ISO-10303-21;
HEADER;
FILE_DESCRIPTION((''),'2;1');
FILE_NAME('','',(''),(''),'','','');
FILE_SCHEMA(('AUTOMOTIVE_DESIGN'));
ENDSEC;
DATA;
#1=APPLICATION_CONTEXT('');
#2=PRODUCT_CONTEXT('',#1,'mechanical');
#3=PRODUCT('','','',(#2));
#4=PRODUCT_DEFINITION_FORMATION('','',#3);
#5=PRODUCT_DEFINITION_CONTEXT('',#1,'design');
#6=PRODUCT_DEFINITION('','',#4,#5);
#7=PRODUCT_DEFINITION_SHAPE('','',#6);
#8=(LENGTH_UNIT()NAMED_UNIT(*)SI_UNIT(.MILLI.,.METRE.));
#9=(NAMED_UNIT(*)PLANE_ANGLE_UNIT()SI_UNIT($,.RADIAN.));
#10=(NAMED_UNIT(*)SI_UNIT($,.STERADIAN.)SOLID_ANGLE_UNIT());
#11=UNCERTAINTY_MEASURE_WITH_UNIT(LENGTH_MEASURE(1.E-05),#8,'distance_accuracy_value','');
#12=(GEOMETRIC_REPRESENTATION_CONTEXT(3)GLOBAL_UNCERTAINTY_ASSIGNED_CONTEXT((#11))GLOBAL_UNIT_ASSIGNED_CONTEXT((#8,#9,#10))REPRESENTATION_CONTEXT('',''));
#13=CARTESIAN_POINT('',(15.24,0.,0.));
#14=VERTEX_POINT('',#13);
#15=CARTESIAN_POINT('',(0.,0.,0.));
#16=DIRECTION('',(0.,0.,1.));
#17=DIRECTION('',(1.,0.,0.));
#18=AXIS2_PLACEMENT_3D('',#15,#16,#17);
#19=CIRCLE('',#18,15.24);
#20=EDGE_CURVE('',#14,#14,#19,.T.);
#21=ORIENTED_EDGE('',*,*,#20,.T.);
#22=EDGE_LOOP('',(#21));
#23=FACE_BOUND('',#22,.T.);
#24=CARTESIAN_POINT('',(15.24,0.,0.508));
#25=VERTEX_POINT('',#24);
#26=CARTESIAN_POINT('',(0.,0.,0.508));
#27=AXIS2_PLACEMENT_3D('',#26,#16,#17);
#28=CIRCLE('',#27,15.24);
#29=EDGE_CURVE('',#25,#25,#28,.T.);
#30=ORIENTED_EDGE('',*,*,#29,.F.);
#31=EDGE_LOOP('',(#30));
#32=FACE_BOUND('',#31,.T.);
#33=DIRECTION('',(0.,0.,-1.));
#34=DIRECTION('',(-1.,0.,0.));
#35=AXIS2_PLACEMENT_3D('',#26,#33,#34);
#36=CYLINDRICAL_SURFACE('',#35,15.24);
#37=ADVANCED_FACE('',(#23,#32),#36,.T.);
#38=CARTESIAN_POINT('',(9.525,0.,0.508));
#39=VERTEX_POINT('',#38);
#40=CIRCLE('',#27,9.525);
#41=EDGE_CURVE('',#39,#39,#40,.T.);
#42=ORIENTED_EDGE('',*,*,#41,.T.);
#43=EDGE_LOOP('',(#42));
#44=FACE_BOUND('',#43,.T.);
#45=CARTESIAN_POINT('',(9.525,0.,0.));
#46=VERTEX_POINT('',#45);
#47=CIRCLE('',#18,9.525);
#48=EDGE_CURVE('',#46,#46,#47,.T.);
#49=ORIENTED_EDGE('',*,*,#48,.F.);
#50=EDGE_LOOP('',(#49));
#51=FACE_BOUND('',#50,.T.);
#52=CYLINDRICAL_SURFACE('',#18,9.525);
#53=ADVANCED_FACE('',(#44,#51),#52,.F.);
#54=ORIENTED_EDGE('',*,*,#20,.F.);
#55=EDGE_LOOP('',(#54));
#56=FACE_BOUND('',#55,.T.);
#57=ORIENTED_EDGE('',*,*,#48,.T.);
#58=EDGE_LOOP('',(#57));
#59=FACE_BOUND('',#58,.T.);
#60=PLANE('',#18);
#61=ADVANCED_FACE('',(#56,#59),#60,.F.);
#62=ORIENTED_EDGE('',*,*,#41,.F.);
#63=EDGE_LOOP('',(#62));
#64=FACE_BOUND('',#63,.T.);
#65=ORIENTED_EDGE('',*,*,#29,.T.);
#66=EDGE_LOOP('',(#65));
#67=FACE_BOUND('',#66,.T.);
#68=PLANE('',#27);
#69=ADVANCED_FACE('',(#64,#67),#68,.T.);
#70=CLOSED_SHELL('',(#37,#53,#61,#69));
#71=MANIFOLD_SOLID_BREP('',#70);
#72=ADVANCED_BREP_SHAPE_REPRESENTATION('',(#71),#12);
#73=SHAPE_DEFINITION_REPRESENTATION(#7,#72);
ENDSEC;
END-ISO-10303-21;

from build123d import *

# Parameters (mm, degrees)
SKETCH1_R           = 15.24
BOSS_EXTRUDE1_DEPTH = 0.508
SKETCH2_R           = 9.525
CUT_EXTRUDE1_DEPTH  = 1.508


with BuildPart() as part:
    # Sketch1 → Boss-Extrude1 (new body)
    with BuildSketch(Plane.XY):
        Circle(SKETCH1_R)
    extrude(amount=BOSS_EXTRUDE1_DEPTH)

    # Sketch2 → Cut-Extrude1 (cut, through all)
    with BuildSketch(Plane.XY.offset(0.508)):
        Circle(SKETCH2_R)
    extrude(amount=-CUT_EXTRUDE1_DEPTH, mode=Mode.SUBTRACT)


solid = part.part
